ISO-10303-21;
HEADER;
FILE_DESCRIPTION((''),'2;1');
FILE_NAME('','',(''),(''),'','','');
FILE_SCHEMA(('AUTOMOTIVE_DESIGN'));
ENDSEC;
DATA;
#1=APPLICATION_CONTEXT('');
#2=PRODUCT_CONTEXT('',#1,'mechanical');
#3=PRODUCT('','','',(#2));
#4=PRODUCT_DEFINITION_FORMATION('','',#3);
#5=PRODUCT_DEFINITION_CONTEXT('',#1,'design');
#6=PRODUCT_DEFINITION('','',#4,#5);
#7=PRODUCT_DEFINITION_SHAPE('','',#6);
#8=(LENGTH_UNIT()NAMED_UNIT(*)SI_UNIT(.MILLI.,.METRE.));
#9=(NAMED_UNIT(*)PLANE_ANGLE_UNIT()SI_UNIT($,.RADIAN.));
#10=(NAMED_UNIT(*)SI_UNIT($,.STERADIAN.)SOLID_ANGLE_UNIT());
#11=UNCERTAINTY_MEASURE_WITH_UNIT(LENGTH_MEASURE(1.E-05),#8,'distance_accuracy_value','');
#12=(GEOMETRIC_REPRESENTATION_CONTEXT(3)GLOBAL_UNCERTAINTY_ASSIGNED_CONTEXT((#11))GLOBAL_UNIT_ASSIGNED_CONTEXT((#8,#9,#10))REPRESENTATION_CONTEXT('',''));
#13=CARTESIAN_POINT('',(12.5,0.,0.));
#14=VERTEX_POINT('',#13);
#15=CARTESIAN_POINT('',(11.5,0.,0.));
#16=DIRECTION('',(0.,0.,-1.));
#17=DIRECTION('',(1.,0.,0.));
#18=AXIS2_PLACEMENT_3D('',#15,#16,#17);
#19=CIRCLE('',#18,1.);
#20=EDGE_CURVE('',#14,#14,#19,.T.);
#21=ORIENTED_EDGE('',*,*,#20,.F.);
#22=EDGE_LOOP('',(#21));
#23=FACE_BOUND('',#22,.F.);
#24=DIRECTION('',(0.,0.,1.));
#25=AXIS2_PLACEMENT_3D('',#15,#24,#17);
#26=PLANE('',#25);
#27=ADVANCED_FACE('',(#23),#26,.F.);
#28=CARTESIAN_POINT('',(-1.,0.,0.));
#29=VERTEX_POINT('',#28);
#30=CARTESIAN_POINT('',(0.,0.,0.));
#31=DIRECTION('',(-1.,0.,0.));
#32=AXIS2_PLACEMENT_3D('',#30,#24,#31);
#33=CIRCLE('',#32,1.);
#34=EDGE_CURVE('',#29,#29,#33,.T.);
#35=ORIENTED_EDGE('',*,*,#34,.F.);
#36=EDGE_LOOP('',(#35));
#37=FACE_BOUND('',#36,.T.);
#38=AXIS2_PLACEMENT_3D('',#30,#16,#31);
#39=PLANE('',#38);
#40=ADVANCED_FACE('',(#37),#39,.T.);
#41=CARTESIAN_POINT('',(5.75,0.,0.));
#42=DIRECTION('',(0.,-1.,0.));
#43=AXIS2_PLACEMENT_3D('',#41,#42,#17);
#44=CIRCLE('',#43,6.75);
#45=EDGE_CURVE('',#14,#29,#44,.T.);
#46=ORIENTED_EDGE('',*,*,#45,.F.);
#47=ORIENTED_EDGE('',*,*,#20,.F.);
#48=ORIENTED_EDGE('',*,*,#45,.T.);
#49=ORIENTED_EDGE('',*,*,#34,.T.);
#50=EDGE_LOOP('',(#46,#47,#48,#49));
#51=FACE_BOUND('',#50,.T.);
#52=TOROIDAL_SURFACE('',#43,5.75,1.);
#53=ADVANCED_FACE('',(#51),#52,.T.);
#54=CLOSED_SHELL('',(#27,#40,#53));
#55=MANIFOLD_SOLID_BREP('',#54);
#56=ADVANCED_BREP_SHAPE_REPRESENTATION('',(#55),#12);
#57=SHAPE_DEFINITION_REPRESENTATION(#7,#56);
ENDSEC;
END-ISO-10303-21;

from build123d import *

# Parameters (mm, degrees)
F2_R = 1


with BuildPart() as f3:
    # F3: sweep along a path in F0
    with BuildLine(Plane.XZ) as f3_path:
        ThreePointArc((11.5, 0), (5.75, 5.75), (0, 0))
    # F2 (on face) → F3 (sweep)
    with BuildSketch(Plane.XY):
        with Locations((11.5, 0)):
            Circle(F2_R)
    sweep(path=f3_path.line)


solid = f3.part
